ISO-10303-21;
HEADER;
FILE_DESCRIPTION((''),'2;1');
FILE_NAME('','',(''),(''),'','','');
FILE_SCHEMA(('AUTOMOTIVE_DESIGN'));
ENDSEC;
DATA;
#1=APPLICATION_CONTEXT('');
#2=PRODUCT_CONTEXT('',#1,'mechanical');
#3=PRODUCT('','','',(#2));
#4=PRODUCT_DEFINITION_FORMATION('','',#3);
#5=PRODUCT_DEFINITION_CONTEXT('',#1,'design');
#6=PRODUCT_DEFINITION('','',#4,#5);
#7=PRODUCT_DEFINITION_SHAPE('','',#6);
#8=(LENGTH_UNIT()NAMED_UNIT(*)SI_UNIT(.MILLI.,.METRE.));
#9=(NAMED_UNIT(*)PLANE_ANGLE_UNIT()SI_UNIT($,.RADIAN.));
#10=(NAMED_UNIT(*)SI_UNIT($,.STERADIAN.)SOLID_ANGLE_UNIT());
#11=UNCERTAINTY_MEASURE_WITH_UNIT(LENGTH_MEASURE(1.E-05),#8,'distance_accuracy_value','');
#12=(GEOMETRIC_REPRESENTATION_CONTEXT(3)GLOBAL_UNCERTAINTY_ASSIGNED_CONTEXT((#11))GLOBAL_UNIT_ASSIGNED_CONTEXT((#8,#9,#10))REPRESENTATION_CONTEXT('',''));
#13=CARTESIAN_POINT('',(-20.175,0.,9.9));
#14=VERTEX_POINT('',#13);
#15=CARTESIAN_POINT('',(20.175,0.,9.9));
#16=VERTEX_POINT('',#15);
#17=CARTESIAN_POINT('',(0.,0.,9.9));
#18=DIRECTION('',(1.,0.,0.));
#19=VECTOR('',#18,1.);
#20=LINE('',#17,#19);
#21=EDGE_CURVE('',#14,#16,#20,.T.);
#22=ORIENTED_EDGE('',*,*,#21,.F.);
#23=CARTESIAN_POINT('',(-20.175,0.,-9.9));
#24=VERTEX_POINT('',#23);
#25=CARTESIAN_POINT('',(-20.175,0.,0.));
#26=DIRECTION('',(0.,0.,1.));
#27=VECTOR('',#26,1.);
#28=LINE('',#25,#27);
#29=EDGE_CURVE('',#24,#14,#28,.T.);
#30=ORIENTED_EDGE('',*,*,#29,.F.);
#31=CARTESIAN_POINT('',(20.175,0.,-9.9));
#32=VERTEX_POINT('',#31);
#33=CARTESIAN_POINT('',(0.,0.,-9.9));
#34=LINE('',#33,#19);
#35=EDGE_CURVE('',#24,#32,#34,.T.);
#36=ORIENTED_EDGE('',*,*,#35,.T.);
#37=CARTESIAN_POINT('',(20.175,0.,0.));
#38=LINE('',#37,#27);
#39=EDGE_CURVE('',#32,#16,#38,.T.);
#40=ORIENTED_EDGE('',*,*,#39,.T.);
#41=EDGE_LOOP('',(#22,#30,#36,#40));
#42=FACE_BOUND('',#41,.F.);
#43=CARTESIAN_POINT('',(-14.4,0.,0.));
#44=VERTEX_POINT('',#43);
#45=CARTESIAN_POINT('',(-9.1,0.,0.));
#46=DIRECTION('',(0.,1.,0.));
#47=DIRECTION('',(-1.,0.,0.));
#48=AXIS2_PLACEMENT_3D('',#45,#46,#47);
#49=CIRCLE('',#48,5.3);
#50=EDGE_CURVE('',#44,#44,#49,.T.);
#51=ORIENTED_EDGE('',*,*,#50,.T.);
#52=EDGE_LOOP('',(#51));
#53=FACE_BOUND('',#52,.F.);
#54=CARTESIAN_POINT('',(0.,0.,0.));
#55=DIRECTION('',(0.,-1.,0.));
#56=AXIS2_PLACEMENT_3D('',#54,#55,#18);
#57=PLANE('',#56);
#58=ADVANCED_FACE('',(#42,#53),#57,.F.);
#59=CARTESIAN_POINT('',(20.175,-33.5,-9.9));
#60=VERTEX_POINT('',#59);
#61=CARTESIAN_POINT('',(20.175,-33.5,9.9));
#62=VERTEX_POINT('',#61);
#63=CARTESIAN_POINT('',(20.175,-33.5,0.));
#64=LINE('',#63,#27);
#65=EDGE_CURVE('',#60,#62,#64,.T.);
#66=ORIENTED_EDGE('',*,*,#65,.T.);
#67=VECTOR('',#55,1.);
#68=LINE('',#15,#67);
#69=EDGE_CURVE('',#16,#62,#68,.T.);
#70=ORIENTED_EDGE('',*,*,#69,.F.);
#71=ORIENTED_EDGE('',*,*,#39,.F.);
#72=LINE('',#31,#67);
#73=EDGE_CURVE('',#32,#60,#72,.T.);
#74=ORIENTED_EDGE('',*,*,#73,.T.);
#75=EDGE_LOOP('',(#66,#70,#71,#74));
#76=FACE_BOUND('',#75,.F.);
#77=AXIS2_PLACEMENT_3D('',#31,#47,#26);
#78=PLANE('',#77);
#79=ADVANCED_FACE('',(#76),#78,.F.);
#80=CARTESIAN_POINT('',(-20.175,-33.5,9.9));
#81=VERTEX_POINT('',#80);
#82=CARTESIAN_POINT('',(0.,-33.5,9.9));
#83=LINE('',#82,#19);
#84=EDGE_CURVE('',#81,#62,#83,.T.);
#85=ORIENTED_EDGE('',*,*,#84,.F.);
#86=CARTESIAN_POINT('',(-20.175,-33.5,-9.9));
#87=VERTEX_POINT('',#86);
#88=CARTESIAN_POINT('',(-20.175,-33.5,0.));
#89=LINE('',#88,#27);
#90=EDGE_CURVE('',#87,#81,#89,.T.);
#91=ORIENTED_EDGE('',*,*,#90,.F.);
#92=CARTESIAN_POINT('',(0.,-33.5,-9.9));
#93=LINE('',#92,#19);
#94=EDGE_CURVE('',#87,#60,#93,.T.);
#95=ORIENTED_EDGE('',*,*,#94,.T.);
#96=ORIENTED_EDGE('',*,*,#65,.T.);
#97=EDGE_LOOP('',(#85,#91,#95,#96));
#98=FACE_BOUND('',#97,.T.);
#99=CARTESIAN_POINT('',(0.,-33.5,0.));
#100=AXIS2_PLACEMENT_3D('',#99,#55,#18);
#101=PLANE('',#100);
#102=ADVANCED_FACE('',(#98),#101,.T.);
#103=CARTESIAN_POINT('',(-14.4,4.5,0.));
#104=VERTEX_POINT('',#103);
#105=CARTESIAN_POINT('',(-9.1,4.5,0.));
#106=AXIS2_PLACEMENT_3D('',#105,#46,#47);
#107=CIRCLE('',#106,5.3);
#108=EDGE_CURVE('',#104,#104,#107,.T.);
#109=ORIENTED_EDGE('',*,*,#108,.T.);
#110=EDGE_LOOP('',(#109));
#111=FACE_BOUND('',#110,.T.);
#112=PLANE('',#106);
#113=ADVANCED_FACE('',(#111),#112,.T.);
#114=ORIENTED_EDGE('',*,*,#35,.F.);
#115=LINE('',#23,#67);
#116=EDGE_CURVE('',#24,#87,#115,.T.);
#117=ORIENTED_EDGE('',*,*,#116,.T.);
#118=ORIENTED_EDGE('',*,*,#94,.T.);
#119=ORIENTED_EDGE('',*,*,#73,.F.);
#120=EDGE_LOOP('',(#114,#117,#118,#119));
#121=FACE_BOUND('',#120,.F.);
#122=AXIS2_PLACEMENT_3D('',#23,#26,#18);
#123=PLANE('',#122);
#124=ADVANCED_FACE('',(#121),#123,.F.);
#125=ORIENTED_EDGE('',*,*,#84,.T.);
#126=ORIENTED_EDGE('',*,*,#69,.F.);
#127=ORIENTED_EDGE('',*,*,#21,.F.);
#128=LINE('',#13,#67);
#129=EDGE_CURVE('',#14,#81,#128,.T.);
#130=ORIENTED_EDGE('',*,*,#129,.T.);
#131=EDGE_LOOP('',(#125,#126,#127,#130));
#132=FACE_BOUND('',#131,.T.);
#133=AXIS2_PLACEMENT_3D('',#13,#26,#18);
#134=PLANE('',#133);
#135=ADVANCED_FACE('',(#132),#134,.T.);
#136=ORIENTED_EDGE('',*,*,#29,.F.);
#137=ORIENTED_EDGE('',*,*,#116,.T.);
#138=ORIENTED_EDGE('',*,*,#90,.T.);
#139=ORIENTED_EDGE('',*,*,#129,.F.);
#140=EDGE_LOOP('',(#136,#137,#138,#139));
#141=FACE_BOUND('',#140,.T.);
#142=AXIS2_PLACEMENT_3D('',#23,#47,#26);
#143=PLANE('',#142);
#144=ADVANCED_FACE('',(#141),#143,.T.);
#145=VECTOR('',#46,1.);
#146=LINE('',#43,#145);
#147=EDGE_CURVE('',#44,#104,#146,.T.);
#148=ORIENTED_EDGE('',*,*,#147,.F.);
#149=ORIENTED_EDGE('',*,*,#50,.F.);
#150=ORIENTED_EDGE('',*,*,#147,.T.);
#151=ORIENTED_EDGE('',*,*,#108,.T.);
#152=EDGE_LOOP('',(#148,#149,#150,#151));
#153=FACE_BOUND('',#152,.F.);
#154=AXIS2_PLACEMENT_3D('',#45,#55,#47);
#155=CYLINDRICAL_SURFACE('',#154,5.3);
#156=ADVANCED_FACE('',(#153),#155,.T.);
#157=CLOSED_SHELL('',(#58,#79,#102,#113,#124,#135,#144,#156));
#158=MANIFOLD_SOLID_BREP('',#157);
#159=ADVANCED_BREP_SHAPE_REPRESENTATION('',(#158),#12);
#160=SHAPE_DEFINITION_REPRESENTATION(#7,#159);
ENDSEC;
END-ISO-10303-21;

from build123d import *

# Parameters (mm, degrees)
F0_W     = 40.35
F0_H     = 19.8
F1_DEPTH = 33.5
F2_R     = 5.3
F3_DEPTH = 4.5


with BuildPart() as f1:
    # F0 (on Front) → F1 (new body)
    with BuildSketch(Plane.XZ):
        Rectangle(F0_W, F0_H)
    extrude(amount=F1_DEPTH)

    # F2 (on face) → F3 (join)
    with BuildSketch(Plane(origin=(0, 0, 0), x_dir=(-1, 0, 0), z_dir=(0, 1, 0))):
        with Locations((9.1, 0)):
            Circle(F2_R)
    extrude(amount=F3_DEPTH)


solid = f1.part
